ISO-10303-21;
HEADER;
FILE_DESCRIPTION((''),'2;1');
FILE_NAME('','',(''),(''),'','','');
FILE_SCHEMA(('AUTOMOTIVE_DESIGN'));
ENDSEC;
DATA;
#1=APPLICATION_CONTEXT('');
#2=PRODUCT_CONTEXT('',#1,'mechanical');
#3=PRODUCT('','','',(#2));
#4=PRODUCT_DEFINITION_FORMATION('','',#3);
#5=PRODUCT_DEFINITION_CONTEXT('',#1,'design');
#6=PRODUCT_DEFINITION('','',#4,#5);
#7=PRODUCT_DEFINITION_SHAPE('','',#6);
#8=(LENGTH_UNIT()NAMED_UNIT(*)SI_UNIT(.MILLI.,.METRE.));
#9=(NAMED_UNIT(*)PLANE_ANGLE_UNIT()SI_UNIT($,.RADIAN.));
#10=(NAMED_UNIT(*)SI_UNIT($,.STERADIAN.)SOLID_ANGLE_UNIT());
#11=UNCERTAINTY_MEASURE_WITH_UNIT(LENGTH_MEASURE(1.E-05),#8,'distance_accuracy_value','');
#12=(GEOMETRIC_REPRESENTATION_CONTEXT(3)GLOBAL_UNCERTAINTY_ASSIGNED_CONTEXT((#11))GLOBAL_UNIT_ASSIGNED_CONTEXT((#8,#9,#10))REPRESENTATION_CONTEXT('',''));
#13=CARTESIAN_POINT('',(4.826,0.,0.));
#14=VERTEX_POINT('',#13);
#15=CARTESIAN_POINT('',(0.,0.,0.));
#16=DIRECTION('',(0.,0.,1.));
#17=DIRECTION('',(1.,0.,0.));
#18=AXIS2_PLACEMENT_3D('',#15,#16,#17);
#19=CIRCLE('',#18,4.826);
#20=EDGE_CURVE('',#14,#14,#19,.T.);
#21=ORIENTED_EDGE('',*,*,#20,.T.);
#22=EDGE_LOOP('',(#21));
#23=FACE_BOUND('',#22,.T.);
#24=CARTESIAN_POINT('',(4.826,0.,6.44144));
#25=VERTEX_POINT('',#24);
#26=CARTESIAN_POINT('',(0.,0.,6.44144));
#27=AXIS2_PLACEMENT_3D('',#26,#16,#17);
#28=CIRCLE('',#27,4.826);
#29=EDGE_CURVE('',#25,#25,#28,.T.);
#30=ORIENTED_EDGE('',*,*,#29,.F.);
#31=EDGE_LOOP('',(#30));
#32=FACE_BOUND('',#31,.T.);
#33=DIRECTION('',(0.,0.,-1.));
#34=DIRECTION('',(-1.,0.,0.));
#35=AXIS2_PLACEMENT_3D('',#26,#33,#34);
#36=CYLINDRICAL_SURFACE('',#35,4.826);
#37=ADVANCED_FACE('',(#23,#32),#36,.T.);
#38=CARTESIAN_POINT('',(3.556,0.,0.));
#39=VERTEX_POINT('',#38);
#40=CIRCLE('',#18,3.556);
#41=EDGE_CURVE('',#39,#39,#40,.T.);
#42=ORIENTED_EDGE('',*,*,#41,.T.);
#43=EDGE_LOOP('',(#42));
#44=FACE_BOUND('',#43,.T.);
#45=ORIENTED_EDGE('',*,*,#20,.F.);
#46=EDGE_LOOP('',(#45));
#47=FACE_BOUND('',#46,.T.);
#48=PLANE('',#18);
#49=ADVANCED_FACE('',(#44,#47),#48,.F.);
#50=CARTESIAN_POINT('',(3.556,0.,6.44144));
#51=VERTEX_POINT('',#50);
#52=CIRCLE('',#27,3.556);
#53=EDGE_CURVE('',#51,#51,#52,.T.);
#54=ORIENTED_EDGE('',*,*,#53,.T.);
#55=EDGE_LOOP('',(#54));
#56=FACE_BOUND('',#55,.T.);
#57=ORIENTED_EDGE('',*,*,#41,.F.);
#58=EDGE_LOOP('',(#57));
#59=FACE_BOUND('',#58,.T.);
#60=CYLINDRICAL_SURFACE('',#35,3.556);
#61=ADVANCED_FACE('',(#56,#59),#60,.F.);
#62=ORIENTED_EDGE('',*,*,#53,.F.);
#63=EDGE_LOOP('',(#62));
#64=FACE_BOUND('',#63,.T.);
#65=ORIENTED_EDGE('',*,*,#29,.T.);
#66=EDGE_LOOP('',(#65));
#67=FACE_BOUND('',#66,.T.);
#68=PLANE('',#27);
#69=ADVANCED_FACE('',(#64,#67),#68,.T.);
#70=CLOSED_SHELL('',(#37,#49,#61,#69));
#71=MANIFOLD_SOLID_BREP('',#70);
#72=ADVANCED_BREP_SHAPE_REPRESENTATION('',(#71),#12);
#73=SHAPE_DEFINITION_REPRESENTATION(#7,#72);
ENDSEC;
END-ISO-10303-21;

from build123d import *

# Parameters (mm, degrees)
SKETCH1_R           = 4.826
SKETCH1_R_2         = 3.556
BOSS_EXTRUDE1_DEPTH = 6.44144


with BuildPart() as part:
    # Sketch1 → Boss-Extrude1 (new body)
    with BuildSketch(Plane.XY):
        Circle(SKETCH1_R)
        Circle(SKETCH1_R_2, mode=Mode.SUBTRACT)
    extrude(amount=BOSS_EXTRUDE1_DEPTH)


solid = part.part
